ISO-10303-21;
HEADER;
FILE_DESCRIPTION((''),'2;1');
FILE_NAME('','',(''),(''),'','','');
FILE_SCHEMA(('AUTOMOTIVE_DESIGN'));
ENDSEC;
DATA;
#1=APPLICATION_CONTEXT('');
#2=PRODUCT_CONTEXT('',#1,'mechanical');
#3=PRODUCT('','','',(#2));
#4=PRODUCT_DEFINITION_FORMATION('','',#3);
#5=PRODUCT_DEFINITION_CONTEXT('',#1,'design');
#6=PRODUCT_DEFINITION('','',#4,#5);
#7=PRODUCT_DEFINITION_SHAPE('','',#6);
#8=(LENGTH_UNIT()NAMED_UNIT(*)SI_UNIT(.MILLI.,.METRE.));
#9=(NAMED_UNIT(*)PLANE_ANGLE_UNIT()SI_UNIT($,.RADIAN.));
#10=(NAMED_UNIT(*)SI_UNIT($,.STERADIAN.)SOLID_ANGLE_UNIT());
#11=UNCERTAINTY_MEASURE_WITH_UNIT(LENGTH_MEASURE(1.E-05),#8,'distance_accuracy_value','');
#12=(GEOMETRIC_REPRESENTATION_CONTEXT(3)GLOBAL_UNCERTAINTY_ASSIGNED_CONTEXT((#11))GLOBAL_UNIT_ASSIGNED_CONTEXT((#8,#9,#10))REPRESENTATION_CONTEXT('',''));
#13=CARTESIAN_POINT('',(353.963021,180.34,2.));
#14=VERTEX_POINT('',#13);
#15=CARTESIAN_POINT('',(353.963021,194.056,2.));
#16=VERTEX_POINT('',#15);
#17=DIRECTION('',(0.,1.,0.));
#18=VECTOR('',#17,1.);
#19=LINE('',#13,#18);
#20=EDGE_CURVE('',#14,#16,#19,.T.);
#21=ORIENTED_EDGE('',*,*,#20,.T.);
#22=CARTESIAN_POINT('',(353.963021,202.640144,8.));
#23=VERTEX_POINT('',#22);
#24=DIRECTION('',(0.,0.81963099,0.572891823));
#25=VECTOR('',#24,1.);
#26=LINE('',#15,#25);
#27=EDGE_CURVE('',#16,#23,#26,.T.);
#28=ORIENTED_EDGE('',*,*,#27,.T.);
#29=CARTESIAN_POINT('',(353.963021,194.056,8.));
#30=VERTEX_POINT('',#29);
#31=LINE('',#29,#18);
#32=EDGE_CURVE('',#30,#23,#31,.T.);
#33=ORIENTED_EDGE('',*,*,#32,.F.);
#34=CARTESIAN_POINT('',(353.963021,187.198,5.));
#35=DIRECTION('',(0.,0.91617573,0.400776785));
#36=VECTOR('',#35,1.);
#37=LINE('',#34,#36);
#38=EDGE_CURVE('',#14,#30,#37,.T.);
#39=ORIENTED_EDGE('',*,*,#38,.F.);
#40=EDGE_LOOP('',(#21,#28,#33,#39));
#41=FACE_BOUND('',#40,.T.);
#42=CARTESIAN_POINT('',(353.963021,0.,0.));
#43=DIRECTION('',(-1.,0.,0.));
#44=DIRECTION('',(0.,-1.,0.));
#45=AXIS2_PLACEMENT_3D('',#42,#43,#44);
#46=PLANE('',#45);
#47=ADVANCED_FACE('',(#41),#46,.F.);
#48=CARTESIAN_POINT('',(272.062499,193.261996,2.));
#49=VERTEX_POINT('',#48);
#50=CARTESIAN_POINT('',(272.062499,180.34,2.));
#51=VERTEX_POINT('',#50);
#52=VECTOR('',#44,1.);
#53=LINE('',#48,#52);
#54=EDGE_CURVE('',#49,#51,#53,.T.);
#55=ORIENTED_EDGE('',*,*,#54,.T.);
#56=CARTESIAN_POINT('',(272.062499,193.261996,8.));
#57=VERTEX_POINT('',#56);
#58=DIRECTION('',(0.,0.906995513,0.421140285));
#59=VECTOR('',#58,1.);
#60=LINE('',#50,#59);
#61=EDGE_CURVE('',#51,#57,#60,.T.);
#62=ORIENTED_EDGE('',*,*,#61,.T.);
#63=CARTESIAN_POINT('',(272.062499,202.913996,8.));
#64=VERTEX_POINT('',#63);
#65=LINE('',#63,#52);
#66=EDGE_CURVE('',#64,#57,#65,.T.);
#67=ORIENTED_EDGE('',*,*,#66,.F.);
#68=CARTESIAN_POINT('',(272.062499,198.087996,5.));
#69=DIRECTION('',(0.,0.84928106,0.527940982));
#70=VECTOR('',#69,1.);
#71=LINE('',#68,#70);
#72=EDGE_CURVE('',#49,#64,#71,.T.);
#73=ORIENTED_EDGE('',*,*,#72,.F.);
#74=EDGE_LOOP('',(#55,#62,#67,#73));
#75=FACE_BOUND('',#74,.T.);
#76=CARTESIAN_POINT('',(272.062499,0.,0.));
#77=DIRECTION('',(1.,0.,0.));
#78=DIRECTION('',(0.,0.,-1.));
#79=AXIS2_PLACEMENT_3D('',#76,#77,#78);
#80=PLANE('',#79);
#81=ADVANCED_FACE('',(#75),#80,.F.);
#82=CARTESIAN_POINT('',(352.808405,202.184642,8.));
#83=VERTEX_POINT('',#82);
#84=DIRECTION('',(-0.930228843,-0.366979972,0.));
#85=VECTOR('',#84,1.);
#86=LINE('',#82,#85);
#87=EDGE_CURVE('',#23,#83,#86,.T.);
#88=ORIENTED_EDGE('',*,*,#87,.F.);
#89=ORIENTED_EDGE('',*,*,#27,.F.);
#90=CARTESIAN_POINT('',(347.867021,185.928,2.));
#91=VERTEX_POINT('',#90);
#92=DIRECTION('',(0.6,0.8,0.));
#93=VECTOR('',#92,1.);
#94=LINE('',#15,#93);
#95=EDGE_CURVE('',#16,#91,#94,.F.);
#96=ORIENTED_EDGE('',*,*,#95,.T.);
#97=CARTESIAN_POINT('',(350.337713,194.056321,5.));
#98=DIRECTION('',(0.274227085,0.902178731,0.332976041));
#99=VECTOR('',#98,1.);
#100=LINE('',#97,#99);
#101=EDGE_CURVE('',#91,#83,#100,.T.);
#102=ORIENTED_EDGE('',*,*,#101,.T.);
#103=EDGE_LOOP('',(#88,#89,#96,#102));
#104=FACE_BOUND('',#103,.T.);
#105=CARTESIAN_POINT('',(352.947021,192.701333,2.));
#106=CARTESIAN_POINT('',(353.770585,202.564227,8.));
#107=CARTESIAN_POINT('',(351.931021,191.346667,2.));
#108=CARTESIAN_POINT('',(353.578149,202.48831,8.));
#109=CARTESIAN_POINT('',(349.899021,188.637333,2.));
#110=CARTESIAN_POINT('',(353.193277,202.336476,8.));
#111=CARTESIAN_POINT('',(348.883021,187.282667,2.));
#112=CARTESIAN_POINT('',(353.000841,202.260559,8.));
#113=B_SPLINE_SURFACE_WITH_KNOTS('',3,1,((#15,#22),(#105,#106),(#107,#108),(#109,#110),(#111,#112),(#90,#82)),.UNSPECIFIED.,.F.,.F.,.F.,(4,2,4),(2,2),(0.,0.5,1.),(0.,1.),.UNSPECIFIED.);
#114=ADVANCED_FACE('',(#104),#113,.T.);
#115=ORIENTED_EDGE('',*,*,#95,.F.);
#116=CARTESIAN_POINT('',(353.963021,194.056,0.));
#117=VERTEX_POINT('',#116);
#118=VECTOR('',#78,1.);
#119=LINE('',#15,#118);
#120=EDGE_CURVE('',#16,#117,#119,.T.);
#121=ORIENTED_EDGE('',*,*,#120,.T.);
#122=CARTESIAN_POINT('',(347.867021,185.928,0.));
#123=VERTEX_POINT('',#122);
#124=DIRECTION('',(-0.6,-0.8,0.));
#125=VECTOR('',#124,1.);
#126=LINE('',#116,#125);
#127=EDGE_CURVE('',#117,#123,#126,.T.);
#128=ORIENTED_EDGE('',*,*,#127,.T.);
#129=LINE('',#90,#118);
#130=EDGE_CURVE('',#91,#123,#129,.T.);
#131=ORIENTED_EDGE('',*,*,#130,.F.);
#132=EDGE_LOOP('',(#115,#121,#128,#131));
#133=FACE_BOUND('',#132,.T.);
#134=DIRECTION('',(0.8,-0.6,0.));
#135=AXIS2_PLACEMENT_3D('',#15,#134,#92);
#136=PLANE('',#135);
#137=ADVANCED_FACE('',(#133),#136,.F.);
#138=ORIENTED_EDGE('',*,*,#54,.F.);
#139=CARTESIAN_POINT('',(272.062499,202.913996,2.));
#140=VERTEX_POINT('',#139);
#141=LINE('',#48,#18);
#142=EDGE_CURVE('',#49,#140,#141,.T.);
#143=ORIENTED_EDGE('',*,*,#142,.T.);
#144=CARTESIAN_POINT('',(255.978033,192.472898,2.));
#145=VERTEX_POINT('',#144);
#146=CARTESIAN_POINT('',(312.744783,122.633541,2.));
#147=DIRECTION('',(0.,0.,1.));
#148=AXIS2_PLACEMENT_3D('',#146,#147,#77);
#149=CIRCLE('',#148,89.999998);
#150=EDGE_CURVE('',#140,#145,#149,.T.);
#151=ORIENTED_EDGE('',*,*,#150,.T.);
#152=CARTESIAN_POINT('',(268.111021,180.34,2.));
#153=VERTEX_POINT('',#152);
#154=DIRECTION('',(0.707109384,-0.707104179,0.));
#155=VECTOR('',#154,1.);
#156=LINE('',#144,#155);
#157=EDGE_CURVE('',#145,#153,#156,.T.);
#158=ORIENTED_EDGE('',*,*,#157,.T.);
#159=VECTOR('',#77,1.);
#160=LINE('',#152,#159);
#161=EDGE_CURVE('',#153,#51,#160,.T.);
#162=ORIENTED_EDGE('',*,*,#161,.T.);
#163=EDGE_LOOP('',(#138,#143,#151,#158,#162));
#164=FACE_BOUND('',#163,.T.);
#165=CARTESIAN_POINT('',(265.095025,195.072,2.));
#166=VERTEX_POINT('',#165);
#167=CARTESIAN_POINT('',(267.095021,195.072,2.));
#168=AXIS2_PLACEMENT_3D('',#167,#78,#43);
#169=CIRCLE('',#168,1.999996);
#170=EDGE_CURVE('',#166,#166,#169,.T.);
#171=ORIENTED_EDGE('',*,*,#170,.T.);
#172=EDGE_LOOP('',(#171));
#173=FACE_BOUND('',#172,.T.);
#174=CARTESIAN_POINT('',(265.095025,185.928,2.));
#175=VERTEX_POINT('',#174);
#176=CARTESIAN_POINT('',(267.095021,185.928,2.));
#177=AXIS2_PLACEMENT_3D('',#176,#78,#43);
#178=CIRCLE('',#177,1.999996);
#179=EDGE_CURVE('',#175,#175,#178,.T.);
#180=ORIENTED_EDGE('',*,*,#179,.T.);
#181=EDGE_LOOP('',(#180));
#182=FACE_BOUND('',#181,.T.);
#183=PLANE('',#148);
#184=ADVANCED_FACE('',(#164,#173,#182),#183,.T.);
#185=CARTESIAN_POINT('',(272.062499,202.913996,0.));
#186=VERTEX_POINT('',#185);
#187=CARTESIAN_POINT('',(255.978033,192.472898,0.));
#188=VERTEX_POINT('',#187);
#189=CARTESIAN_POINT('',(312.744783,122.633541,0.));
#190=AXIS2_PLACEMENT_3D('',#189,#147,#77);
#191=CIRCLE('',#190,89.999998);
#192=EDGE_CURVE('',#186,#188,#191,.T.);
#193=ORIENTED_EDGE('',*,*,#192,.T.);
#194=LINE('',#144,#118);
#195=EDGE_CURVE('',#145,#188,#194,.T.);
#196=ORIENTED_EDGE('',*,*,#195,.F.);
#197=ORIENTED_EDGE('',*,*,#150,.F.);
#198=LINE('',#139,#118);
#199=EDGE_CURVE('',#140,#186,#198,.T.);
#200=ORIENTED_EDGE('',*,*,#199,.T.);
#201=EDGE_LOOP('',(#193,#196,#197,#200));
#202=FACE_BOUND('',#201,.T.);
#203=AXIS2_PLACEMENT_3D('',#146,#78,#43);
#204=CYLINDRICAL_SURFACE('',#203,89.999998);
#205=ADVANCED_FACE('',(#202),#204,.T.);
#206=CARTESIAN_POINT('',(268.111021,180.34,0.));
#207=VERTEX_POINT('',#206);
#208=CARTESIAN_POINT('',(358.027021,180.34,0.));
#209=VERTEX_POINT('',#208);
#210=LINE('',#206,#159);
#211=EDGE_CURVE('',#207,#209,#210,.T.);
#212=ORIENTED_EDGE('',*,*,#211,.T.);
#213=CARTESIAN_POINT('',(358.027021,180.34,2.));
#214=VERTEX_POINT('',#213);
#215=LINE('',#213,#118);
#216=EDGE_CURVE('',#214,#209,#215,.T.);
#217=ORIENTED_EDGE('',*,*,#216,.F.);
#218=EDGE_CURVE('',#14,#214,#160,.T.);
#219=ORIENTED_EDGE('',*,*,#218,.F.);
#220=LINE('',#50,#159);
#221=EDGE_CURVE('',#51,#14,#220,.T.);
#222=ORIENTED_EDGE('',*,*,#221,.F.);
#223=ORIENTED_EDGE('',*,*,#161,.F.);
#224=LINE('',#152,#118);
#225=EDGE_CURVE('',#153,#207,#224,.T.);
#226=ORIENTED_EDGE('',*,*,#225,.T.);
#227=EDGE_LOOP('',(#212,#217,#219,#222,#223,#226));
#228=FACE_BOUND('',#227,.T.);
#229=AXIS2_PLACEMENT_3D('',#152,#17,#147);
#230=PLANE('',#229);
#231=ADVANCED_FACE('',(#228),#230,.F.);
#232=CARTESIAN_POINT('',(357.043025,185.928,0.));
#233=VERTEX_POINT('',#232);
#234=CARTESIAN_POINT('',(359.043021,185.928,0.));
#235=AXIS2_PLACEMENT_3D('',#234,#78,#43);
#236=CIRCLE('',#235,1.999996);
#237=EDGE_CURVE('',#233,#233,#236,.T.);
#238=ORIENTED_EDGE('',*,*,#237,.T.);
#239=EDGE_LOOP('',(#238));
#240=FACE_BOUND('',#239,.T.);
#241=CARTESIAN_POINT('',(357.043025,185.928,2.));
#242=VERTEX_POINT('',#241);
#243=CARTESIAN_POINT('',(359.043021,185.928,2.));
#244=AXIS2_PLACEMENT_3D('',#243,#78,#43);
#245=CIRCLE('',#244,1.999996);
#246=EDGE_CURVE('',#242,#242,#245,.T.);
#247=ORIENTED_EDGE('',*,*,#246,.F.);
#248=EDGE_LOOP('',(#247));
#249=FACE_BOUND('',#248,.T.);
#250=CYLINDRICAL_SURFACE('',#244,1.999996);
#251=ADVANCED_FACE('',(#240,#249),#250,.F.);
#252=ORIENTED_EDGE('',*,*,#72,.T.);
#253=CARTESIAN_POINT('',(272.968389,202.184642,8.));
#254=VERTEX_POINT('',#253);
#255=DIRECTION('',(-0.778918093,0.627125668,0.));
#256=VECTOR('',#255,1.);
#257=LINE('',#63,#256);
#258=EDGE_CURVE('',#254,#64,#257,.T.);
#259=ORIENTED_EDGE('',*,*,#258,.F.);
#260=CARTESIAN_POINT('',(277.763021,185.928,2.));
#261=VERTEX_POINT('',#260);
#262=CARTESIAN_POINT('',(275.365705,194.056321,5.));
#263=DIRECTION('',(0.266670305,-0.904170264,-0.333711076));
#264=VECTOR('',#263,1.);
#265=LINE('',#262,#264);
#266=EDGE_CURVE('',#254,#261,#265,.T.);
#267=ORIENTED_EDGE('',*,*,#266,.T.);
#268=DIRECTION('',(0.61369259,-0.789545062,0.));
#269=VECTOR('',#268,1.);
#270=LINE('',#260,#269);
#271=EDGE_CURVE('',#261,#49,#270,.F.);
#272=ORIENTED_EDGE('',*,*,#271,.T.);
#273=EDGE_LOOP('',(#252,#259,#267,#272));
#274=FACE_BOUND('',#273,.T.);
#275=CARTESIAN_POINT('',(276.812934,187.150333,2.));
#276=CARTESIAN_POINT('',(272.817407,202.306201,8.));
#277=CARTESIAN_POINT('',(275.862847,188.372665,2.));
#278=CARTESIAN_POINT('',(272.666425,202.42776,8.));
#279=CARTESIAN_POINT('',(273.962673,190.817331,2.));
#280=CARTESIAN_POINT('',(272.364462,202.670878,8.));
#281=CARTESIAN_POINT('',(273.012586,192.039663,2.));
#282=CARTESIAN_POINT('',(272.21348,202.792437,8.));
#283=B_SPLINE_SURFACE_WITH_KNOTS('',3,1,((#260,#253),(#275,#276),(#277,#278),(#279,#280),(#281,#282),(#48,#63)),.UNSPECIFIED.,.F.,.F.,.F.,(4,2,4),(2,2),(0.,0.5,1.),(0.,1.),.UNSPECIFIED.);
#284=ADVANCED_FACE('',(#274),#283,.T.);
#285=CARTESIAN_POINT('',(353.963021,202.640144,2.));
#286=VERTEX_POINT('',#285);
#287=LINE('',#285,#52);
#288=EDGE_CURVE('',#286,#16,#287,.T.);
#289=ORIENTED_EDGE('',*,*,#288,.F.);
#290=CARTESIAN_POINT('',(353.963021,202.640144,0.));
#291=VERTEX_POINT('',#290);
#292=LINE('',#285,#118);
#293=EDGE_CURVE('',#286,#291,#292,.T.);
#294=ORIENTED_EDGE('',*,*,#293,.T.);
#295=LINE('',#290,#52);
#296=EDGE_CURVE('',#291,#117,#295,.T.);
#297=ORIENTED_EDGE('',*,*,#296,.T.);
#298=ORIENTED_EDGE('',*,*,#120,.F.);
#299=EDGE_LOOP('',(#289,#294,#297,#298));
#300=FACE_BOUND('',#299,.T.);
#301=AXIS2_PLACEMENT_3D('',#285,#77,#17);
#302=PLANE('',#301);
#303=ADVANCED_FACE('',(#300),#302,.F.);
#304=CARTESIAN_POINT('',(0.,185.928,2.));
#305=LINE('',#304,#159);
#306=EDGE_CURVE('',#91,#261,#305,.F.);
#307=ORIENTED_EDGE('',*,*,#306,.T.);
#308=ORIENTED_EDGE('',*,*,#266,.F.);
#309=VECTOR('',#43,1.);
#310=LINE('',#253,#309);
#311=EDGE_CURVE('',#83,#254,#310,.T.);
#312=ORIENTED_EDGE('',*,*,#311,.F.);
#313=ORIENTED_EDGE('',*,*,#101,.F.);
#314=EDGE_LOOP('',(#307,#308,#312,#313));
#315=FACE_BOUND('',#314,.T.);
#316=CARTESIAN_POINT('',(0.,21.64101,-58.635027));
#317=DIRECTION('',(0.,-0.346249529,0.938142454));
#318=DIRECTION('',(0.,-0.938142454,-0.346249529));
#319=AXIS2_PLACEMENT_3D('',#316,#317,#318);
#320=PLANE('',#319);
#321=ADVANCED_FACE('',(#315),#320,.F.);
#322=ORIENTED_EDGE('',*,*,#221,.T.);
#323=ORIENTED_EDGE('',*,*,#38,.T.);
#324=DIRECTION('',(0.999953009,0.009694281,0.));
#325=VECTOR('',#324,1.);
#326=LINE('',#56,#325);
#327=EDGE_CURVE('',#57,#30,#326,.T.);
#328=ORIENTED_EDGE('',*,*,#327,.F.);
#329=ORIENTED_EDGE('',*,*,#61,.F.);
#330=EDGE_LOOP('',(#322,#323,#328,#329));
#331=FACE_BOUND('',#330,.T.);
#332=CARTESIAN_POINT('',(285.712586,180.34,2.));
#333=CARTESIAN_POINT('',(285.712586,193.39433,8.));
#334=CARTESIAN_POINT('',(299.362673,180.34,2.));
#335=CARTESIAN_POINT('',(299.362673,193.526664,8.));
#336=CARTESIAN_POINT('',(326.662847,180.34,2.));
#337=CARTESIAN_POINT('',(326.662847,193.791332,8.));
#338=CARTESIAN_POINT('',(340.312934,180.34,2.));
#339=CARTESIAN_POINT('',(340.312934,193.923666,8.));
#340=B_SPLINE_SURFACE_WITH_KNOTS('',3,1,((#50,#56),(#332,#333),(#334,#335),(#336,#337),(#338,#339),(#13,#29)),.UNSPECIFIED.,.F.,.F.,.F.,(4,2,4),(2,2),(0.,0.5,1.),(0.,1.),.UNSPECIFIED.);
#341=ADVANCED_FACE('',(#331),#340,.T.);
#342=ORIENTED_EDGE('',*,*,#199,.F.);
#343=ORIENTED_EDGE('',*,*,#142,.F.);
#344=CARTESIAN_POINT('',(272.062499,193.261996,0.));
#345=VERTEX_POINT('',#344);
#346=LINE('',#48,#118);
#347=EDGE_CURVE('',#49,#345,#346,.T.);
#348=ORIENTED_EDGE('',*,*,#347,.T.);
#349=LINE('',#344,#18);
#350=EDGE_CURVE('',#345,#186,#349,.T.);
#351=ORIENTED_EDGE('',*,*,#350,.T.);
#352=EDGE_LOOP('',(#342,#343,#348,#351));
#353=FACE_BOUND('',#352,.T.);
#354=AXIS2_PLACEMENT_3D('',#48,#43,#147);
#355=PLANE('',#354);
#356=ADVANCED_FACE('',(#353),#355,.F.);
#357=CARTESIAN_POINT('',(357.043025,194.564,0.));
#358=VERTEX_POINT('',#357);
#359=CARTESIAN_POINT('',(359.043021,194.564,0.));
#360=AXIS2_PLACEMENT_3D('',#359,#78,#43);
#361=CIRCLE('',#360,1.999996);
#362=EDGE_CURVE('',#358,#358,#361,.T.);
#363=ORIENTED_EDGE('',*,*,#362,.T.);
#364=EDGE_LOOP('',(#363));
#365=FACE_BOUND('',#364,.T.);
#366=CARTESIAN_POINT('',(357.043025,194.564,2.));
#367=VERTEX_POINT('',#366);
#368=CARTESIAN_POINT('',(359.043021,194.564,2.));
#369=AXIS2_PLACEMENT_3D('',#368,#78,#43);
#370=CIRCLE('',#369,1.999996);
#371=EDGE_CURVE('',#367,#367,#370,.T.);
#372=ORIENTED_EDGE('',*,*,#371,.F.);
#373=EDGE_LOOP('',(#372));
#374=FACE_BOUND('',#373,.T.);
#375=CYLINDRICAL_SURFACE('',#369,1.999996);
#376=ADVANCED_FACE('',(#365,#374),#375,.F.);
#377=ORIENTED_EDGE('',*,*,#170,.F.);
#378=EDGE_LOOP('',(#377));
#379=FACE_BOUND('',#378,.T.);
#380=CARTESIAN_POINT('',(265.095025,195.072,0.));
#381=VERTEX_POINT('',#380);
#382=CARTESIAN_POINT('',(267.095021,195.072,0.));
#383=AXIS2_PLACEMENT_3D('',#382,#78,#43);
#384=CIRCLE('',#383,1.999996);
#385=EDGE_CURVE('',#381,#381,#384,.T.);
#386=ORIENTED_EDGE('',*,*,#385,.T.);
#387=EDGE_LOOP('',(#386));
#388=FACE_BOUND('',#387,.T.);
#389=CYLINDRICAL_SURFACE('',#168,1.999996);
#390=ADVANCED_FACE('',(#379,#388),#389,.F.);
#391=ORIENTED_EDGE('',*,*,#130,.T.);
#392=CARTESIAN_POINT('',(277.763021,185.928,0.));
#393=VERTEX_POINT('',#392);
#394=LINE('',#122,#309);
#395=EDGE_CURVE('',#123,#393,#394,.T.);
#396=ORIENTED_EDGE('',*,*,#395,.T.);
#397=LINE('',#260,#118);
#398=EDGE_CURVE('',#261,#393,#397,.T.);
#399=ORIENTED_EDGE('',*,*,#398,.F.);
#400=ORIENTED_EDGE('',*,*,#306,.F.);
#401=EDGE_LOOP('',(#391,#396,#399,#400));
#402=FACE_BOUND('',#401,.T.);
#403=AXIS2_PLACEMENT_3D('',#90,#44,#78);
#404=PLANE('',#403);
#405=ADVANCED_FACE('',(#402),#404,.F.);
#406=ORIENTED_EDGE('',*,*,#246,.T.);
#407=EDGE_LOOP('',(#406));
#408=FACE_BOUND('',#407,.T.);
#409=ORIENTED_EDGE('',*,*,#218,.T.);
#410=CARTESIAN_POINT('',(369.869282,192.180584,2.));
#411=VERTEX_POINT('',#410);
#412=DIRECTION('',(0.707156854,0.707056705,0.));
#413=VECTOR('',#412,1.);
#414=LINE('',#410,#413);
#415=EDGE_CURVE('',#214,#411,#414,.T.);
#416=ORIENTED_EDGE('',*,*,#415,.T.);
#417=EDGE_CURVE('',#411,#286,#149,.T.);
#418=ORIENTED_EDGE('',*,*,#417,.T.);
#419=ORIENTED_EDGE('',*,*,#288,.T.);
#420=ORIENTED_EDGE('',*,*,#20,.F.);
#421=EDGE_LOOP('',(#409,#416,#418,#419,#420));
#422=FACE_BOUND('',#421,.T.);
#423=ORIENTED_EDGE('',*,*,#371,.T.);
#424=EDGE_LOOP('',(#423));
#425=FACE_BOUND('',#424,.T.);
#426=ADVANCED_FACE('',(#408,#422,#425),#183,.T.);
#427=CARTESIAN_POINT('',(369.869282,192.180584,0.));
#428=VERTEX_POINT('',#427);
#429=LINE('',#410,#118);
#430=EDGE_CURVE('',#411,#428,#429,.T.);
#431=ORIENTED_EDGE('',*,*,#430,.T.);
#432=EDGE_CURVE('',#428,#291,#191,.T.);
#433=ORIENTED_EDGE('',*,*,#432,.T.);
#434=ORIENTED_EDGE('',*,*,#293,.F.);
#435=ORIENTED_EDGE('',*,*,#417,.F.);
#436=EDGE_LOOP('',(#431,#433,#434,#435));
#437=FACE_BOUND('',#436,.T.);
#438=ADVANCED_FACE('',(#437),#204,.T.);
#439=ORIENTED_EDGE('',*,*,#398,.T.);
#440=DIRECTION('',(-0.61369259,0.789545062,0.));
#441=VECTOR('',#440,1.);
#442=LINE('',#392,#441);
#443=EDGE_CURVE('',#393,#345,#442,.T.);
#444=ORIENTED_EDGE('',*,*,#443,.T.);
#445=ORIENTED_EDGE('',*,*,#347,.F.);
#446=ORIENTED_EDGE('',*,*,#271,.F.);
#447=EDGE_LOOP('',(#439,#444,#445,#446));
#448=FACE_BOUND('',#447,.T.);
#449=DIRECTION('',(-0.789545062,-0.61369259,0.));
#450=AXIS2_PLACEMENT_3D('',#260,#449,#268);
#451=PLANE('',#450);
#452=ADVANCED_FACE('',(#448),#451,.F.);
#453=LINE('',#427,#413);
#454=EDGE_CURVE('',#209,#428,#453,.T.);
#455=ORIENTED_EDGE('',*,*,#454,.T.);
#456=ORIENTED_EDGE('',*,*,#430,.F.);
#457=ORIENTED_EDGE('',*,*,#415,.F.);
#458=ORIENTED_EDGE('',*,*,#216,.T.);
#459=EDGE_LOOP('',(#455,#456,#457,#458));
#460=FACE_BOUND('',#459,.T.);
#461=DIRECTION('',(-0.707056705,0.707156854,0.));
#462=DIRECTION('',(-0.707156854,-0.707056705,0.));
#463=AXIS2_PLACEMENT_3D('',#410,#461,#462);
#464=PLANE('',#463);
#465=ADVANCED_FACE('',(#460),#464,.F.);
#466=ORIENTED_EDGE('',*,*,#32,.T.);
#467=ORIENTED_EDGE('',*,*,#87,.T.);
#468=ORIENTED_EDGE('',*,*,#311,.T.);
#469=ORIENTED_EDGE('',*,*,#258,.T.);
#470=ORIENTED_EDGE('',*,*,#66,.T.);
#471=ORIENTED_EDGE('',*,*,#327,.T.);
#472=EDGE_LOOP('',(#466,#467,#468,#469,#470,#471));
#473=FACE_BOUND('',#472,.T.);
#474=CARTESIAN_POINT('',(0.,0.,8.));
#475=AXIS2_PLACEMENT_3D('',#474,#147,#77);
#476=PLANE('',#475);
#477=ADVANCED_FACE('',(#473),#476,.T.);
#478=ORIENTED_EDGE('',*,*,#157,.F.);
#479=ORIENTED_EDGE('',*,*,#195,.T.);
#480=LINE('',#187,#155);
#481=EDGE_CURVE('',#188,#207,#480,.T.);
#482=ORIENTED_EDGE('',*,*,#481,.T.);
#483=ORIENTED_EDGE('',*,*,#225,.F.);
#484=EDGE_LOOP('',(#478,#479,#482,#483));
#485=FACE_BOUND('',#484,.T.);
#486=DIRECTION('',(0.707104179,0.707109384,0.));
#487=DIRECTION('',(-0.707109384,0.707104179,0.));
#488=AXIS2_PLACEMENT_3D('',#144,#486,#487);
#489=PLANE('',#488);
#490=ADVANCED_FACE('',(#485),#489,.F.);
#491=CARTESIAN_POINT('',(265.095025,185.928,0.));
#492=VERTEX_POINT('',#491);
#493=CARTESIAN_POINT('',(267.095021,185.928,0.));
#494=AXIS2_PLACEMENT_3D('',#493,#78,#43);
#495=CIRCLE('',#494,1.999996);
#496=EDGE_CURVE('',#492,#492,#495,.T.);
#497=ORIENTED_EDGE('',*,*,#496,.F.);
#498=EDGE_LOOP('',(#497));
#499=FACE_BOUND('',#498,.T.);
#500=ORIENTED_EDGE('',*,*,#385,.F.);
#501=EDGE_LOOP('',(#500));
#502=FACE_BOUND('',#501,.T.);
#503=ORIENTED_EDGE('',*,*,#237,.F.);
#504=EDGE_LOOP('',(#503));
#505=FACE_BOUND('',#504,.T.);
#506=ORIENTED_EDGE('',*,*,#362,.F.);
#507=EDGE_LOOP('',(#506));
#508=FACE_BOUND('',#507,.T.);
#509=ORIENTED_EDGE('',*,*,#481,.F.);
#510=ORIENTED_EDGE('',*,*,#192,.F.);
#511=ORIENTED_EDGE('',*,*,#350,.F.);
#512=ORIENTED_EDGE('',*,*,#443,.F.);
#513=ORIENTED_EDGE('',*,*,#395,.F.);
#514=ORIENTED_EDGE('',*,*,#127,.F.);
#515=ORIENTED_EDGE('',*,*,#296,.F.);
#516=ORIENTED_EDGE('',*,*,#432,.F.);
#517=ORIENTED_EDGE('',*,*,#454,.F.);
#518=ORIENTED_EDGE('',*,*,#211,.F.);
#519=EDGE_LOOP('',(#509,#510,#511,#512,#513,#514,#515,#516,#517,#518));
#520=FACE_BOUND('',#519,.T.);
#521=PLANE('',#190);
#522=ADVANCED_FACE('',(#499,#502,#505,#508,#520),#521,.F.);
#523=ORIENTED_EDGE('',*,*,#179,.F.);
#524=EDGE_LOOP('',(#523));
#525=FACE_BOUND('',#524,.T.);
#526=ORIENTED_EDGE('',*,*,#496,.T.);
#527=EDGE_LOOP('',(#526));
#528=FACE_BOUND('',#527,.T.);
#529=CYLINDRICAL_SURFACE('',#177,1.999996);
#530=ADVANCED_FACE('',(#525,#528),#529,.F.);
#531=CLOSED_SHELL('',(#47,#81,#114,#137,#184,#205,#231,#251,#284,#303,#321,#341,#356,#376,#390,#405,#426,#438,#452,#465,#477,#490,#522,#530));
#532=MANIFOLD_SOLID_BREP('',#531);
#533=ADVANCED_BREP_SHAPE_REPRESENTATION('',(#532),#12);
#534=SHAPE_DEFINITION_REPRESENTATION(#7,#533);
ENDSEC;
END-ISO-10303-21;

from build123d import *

# Parameters (mm, degrees)
BOSS_EXTRUDE1_DEPTH = 2
SKETCH4_R           = 1.999996
CUT_EXTRUDE2_DEPTH  = 3


with BuildPart() as part:
    # Sketch2 → Boss-Extrude1 (new body)
    with BuildSketch(Plane.XY):
        with BuildLine():
            Line((369.86928226, 192.180584327), (358.0270208, 180.34))
            Line((358.0270208, 180.34), (268.1110208, 180.34))
            Line((268.1110208, 180.34), (255.978033197, 192.47289829))
            ThreePointArc((255.978033197, 192.47289829), (263.741388347, 198.123056954), (272.0624988, 202.913996))
            Line((272.0624988, 202.913996), (272.0624988, 193.261996))
            Line((272.0624988, 193.261996), (277.7630208, 185.928))
            Line((277.7630208, 185.928), (347.8670208, 185.928))
            Line((347.8670208, 185.928), (353.9630208, 194.056))
            Line((353.9630208, 194.056), (353.9630208, 202.64014406))
            ThreePointArc((353.9630208, 202.64014406), (362.193484504, 197.832115291), (369.86928226, 192.180584327))
        make_face()
    extrude(amount=BOSS_EXTRUDE1_DEPTH)

    # Sketch4 → Cut-Extrude2 (cut, through all)
    with BuildSketch(Plane(origin=(0, 0, 0), x_dir=(-1, 0, 0), z_dir=(0, 0, -1))):
        with Locations((-359.0430208, 194.564)):
            Circle(SKETCH4_R)
        with Locations((-359.0430208, 185.928)):
            Circle(SKETCH4_R)
        with Locations((-267.0950208, 185.928)):
            Circle(SKETCH4_R)
        with Locations((-267.0950208, 195.072)):
            Circle(SKETCH4_R)
    extrude(amount=-CUT_EXTRUDE2_DEPTH, mode=Mode.SUBTRACT)

    # Sketch5 → Loft4 section 0
    with BuildSketch(Plane.XY.offset(2)):
        Polygon((272.0624988, 193.261996), (272.0624988, 180.34), (353.9630208, 180.34), (353.9630208, 194.056), (347.8670208, 185.928), (277.7630208, 185.928), align=None)
    # Sketch6 → Loft4 section 1
    with BuildSketch(Plane.XY.offset(8)):
        Polygon((272.0624988, 202.913996), (272.0624988, 193.261996), (353.9630208, 194.056), (353.9630208, 202.64014406), (352.808404878, 202.184642252), (272.968388735, 202.184642252), align=None)
    loft()


solid = part.part
